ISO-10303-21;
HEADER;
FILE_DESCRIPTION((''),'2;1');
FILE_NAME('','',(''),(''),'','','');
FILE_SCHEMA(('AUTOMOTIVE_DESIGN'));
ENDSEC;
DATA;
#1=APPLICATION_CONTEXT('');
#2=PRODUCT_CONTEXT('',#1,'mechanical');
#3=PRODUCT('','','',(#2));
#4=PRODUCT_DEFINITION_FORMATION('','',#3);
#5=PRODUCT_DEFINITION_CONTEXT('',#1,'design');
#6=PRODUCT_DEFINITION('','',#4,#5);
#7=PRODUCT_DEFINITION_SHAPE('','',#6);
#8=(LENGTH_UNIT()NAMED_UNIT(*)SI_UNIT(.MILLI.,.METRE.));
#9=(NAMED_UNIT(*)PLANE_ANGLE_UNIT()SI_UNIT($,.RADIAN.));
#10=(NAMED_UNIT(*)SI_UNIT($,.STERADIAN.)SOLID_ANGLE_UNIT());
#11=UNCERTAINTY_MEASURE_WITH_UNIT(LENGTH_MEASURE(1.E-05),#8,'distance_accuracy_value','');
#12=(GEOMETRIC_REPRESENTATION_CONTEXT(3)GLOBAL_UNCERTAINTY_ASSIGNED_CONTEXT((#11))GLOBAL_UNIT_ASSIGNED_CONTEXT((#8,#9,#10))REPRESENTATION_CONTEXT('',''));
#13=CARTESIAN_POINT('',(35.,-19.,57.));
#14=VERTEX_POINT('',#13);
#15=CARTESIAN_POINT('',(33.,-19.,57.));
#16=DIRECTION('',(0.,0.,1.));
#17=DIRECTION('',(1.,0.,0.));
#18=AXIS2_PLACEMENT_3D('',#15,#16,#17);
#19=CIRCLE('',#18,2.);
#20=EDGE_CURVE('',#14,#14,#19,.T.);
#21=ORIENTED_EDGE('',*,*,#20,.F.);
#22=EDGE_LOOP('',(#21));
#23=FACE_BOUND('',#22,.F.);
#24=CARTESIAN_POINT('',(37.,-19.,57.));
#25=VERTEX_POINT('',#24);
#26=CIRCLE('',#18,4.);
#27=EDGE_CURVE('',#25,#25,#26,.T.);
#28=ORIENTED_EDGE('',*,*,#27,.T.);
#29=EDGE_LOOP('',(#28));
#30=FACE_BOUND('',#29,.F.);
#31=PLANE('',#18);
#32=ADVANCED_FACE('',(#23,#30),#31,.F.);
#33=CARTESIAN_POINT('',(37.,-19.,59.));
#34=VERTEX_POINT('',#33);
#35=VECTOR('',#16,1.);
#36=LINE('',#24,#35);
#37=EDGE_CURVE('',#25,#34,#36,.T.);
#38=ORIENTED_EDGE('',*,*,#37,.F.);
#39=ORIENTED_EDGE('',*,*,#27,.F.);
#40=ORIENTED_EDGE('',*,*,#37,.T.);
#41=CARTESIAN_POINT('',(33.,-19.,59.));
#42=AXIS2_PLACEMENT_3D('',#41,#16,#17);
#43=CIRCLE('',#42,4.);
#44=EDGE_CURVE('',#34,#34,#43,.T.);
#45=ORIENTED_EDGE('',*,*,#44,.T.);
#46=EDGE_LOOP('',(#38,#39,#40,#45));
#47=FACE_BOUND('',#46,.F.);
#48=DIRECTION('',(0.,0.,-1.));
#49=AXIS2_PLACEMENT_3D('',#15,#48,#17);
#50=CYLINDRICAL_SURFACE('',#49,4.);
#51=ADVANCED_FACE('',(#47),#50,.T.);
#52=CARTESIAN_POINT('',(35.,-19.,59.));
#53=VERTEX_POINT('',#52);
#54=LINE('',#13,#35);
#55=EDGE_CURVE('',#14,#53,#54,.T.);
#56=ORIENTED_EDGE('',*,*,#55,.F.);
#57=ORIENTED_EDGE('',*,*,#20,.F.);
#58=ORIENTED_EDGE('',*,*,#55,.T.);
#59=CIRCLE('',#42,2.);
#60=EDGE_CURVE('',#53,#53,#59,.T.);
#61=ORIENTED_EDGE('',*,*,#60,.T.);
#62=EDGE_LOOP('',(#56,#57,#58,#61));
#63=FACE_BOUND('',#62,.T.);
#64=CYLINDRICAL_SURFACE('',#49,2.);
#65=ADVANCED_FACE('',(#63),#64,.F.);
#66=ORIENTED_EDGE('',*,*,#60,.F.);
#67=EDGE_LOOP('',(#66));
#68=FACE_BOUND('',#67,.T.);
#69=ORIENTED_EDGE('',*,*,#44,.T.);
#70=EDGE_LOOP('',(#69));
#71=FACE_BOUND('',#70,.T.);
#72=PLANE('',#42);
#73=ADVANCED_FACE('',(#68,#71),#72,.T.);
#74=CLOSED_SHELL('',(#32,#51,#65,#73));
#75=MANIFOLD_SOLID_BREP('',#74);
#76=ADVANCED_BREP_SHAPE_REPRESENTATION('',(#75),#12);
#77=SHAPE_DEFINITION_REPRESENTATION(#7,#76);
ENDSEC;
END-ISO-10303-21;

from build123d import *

# Parameters (mm, degrees)
CYLINDER357_R     = 2
CYLINDER357_DEPTH = 2
CYLINDER358_R     = 4
CYLINDER358_DEPTH = 2


with BuildPart() as cylinder357:
    # Cylinder357 → Cylinder357 (new body)
    with BuildSketch(Plane.XY):
        Circle(CYLINDER357_R)
    extrude(amount=CYLINDER357_DEPTH)


with BuildPart() as spacer5:
    # Cylinder358 → Cylinder358 (new body)
    with BuildSketch(Plane.XY):
        Circle(CYLINDER358_R)
    extrude(amount=CYLINDER358_DEPTH)

    # Cut373: cut Cylinder357
    add(cylinder357.part, mode=Mode.SUBTRACT)


with BuildPart() as spacer5_1:
    # Cut373 placement: moved
    add(spacer5.part.moved(Location((33, -19, 57))))


solid = spacer5_1.part
